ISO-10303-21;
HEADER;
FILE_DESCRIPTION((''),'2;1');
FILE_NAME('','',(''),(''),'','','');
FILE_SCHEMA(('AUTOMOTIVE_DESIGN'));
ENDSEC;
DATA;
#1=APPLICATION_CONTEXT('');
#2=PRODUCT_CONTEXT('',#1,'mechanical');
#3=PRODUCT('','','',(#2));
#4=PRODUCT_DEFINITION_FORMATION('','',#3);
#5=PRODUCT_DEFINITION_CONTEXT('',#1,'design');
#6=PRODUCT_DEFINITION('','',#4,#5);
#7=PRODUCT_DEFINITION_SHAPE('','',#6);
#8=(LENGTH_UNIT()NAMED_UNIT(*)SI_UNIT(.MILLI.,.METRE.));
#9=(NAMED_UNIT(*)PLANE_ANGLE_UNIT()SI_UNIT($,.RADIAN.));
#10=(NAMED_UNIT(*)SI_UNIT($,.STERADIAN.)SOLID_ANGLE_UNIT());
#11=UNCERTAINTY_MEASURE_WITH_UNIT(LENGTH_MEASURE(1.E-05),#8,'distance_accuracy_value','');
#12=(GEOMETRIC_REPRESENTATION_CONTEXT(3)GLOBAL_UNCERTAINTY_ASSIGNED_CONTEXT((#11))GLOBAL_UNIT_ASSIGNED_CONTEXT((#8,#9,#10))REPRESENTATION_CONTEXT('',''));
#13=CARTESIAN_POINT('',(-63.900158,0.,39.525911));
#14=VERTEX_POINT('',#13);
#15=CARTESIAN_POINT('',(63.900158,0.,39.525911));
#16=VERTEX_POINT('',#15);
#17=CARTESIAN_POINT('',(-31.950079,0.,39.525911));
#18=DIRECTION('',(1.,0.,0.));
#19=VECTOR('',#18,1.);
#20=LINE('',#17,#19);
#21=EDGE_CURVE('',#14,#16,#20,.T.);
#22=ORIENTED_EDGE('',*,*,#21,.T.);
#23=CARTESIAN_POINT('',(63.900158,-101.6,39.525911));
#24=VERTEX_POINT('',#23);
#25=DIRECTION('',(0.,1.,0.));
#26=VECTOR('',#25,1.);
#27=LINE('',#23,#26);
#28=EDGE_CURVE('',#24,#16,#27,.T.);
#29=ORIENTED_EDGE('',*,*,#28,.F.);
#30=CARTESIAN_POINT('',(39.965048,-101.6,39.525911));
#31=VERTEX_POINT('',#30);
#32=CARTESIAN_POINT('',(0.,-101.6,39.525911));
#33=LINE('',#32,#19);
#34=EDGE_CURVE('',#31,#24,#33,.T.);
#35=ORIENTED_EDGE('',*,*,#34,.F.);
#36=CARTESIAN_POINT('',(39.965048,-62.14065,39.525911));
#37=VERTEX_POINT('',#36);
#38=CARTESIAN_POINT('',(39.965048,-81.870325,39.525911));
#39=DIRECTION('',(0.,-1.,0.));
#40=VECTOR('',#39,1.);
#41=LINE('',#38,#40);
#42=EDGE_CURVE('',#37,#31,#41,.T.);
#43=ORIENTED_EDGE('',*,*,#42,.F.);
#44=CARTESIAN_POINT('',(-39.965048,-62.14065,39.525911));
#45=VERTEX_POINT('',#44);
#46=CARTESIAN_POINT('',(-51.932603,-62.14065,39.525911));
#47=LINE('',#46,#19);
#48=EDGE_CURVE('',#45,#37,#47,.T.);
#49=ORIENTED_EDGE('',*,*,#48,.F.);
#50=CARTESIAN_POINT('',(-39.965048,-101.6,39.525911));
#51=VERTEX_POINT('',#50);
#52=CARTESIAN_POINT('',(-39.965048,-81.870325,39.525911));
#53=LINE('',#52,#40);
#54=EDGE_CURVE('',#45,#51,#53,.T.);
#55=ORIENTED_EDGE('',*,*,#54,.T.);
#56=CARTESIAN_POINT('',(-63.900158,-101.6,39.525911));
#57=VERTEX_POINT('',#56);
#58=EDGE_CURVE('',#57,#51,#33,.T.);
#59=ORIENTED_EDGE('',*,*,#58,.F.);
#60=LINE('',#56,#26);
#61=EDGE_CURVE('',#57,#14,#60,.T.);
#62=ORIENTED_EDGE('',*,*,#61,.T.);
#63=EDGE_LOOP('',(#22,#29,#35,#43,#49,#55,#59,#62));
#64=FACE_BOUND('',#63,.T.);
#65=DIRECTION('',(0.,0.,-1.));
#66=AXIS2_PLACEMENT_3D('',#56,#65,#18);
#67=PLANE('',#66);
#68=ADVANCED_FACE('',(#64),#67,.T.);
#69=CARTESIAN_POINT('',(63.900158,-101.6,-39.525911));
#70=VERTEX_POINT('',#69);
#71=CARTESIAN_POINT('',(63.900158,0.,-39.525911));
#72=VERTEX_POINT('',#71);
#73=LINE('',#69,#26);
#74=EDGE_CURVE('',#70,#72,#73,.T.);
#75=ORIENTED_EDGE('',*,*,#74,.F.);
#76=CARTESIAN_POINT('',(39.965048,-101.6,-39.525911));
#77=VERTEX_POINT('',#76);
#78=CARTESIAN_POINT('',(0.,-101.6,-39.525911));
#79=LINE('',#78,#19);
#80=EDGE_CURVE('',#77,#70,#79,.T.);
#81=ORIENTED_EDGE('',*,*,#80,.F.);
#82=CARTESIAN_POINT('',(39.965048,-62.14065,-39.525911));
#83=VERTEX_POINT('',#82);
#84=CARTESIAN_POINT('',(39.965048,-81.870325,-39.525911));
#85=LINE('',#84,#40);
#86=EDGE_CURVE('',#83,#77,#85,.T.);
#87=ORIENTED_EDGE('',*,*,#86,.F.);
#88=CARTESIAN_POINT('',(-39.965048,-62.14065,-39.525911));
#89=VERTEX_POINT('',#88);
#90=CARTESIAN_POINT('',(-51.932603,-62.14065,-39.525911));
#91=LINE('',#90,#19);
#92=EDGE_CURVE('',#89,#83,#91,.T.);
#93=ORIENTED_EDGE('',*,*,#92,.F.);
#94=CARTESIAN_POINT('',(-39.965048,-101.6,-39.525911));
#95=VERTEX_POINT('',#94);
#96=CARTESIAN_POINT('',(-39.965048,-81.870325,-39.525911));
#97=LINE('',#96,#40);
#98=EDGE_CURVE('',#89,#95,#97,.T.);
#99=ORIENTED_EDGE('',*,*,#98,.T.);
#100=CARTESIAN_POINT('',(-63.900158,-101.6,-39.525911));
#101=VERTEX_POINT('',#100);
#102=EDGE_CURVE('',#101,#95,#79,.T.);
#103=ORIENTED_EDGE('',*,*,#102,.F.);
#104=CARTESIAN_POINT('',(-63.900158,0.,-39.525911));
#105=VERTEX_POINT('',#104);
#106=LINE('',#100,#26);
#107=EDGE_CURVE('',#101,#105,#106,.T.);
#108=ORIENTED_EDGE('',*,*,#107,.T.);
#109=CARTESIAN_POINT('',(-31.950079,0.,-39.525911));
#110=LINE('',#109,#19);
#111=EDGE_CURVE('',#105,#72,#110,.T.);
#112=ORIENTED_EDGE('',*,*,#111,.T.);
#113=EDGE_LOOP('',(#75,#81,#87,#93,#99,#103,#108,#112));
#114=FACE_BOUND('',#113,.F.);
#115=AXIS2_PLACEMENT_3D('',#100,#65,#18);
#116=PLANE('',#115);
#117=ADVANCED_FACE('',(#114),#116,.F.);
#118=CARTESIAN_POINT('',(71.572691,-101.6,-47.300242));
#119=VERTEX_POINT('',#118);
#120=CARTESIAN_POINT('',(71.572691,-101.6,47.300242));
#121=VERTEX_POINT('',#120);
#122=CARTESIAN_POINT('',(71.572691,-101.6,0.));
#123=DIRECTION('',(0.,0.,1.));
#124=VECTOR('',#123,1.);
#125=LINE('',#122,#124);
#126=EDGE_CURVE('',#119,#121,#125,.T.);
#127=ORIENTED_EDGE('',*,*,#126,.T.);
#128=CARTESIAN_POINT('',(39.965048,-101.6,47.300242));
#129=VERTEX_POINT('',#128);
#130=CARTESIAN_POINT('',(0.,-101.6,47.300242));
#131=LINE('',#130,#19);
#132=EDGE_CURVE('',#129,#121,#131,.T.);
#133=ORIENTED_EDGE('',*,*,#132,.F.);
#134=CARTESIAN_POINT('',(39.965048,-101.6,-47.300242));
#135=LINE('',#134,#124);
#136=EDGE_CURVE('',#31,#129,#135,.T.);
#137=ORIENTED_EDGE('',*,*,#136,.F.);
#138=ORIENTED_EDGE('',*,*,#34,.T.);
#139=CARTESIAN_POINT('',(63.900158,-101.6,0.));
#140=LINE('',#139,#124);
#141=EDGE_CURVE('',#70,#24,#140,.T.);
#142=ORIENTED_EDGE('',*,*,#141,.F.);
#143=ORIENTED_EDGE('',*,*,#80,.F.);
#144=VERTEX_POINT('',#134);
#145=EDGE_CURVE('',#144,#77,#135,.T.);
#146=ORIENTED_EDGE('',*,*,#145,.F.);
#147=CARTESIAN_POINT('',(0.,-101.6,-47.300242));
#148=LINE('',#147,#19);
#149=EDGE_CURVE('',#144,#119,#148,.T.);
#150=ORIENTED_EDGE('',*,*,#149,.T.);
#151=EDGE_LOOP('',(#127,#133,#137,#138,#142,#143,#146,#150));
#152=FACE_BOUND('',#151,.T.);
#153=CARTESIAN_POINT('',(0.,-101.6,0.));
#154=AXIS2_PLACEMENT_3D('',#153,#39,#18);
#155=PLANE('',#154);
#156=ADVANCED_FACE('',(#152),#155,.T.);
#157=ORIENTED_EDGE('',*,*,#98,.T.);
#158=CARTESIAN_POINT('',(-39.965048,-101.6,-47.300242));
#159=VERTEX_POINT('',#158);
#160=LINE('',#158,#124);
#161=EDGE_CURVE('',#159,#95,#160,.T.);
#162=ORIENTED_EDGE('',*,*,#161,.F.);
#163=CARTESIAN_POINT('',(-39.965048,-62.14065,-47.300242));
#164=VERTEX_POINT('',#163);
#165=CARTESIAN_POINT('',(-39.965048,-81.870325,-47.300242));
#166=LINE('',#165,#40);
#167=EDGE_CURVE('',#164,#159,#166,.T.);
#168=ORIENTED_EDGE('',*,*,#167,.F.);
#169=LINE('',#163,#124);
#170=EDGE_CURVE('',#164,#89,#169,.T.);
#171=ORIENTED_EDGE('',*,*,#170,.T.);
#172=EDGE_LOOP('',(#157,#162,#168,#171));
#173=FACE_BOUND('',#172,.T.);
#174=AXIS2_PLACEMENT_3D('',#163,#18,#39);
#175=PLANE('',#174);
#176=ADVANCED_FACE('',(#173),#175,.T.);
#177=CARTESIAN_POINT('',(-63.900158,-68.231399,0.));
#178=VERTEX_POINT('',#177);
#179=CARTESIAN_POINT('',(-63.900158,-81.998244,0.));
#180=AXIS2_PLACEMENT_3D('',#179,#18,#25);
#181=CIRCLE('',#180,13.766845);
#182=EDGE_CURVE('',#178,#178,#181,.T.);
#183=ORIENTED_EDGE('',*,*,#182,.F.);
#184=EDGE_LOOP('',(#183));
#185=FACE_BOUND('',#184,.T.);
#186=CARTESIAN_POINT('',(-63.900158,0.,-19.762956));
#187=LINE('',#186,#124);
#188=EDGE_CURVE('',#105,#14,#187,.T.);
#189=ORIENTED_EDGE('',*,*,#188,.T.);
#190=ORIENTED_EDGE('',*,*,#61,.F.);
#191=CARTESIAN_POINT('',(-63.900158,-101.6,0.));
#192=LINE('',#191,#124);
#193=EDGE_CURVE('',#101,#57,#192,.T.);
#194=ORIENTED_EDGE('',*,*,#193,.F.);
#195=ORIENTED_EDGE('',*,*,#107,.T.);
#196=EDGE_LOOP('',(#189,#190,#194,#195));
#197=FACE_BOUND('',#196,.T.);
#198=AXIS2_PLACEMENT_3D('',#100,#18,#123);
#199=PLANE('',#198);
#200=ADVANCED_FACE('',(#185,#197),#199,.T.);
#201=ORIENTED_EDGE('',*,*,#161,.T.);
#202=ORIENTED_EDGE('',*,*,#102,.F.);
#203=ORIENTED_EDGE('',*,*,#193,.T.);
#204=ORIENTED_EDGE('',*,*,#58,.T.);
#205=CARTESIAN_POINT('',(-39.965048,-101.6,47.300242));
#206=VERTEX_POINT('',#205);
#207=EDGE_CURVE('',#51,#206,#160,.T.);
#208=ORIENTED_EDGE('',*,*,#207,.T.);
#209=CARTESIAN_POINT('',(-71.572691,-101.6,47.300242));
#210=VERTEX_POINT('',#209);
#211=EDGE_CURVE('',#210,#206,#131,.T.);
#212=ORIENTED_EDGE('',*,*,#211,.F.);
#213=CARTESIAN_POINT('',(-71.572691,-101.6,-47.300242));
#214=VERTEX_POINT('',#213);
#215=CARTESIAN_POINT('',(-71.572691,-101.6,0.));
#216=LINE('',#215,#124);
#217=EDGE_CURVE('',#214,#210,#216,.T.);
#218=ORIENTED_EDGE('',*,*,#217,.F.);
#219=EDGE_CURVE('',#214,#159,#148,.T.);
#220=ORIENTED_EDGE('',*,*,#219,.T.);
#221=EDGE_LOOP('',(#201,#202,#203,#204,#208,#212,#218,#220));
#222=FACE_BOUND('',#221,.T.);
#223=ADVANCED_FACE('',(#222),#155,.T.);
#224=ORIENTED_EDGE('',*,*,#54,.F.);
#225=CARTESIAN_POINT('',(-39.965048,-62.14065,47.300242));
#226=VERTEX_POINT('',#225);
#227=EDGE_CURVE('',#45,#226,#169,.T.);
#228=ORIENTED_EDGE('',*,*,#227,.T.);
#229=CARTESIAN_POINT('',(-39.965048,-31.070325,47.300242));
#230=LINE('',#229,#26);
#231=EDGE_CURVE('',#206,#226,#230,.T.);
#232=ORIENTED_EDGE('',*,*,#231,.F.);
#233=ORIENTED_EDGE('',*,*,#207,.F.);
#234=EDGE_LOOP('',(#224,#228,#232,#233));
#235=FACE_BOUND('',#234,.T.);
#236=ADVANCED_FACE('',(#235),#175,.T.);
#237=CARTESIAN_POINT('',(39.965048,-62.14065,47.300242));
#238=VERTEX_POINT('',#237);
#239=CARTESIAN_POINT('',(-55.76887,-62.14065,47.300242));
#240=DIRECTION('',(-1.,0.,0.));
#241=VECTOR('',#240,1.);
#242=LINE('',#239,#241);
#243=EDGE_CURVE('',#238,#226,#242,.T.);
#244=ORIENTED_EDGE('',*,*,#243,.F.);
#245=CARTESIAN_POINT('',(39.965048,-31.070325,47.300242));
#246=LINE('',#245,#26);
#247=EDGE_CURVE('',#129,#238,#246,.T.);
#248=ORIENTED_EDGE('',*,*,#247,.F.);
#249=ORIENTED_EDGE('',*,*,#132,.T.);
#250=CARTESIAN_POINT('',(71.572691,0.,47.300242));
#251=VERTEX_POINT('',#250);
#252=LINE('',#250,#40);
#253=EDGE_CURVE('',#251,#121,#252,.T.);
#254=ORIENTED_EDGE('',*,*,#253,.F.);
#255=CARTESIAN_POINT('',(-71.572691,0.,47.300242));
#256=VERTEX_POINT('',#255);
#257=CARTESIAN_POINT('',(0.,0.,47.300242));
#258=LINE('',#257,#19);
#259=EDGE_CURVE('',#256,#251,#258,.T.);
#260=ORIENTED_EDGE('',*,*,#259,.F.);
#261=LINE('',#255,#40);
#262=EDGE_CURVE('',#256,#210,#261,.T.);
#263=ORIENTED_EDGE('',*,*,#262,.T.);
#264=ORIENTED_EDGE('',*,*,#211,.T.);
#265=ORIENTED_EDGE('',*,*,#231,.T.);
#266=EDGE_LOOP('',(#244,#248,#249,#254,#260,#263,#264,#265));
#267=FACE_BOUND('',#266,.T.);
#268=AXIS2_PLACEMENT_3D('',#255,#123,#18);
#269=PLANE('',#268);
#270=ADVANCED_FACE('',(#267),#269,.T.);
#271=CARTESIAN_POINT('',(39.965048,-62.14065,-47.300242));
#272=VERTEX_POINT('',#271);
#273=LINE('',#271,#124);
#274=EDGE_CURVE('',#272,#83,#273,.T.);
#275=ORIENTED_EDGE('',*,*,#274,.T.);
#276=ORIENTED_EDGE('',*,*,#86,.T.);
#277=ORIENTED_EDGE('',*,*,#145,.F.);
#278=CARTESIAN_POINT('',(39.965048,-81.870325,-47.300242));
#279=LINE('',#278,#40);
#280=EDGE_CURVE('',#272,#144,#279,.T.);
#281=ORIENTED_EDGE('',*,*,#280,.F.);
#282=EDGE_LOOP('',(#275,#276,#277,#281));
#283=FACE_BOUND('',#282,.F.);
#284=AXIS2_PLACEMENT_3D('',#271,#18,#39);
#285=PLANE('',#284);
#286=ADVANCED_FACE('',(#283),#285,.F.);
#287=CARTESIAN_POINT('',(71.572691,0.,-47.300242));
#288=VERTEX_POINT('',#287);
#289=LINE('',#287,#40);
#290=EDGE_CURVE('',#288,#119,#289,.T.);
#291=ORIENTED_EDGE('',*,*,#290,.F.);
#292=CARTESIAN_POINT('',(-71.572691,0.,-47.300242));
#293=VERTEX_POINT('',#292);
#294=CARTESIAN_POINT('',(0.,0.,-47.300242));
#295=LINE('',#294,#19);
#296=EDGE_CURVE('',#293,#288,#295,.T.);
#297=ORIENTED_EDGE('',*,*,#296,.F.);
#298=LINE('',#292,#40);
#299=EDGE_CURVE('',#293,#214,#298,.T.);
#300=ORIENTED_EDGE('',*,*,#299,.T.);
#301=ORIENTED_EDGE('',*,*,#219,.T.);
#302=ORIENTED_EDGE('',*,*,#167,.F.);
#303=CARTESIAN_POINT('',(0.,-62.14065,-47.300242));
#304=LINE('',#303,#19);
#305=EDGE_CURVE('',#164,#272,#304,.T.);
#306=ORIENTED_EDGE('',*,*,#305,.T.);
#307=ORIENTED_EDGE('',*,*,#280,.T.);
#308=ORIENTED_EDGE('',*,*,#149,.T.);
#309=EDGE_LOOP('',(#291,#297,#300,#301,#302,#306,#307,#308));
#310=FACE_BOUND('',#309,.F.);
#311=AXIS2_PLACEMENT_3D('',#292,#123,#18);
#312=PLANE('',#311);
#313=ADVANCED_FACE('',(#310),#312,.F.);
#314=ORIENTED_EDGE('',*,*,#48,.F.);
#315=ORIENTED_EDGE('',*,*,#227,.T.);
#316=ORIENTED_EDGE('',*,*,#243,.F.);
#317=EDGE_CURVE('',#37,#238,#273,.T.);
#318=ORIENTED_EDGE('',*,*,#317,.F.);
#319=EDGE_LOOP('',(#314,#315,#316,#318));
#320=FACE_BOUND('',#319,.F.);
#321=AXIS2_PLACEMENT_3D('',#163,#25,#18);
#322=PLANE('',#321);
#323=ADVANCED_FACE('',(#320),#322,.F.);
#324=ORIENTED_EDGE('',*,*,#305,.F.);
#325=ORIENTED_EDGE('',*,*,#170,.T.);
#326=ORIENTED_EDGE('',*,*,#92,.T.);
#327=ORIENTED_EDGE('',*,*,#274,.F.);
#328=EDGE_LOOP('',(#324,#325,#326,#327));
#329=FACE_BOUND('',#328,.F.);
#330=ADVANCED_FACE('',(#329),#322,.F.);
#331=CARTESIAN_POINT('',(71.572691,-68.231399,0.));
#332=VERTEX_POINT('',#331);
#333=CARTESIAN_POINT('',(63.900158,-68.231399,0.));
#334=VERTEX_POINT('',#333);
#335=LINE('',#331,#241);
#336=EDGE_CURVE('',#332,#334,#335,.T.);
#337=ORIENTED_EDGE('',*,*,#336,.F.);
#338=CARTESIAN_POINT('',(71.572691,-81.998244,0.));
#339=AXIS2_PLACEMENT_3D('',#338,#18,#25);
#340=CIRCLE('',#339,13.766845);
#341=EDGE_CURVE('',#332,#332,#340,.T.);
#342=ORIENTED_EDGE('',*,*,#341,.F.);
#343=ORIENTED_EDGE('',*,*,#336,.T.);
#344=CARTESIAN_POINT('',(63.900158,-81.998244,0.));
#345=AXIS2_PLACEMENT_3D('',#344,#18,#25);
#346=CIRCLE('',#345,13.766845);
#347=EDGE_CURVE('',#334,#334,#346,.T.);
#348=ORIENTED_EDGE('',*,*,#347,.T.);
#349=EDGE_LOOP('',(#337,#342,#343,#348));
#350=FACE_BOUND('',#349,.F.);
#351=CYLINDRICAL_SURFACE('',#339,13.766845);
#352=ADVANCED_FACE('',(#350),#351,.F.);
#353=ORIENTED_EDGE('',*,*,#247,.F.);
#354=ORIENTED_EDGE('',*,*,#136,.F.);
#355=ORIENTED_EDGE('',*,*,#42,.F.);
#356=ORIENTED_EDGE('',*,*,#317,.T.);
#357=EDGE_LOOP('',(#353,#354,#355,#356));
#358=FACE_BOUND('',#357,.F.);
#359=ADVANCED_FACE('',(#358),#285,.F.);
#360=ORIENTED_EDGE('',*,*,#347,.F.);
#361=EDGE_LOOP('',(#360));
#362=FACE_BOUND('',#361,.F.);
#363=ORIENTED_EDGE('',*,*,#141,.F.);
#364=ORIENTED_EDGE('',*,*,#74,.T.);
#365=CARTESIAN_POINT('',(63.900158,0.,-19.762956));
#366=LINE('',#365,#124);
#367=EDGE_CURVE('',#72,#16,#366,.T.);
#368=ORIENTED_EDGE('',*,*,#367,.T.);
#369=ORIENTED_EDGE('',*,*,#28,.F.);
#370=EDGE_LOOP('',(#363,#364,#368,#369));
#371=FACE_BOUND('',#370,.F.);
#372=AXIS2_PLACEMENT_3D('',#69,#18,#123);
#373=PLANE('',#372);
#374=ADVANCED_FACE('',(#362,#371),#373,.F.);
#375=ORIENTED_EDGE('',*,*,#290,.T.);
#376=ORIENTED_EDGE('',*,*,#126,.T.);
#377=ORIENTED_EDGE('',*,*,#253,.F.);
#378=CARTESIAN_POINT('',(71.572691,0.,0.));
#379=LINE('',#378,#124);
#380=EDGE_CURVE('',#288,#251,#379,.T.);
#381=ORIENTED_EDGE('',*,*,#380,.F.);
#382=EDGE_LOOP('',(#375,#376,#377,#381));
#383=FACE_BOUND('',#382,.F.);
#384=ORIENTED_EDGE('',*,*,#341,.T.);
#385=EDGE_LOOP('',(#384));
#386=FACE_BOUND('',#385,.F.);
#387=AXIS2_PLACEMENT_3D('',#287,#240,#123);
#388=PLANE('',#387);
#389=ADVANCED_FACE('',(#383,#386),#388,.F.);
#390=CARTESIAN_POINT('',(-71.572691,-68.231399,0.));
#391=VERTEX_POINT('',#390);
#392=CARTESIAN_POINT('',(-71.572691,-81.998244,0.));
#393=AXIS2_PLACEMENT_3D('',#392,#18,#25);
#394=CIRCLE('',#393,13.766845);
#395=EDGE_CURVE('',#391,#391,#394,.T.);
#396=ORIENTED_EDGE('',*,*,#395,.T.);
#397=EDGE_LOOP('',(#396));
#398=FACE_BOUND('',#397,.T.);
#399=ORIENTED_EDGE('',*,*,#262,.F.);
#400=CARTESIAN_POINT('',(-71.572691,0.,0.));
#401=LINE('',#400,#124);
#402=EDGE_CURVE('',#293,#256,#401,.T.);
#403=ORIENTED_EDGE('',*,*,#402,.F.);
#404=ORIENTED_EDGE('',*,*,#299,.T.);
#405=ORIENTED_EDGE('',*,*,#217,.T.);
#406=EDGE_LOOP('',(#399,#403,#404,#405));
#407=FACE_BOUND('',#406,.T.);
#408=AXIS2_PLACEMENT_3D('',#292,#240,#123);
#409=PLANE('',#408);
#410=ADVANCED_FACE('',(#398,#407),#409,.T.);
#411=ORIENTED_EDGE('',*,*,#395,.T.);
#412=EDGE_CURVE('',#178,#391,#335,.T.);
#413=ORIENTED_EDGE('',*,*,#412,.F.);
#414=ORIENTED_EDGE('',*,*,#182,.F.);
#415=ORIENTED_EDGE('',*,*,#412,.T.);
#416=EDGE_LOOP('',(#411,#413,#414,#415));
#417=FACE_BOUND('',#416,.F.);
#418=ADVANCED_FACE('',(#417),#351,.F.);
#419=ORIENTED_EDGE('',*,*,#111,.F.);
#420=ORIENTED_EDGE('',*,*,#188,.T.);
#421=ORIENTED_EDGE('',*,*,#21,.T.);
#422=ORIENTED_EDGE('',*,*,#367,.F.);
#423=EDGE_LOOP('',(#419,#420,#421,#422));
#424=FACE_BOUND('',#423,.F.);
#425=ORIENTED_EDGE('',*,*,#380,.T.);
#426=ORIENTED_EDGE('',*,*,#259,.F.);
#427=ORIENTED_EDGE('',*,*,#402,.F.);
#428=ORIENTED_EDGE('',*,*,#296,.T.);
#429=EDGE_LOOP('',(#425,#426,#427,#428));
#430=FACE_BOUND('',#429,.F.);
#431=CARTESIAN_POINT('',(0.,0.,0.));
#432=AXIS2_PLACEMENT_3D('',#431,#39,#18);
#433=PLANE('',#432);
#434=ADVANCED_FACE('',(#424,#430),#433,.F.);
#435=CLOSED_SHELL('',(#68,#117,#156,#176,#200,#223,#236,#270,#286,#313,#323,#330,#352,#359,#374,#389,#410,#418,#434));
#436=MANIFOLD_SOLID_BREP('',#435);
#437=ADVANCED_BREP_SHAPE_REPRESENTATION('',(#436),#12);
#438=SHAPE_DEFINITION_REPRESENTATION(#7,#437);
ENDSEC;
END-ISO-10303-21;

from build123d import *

# Parameters (mm, degrees)
F0_W     = 143.145382
F0_H     = 94.600484
F1_DEPTH = 101.6
F2_W     = 127.800316
F2_H     = 79.051822
F3_DEPTH = 127
F4_W     = 79.930096
F4_H     = 39.45935
F5_DEPTH = 127
F6_R     = 13.766845
F7_DEPTH = 152.4


with BuildPart() as f1:
    # F0 (on Front) → F1 (new body)
    with BuildSketch(Plane.XZ):
        Rectangle(F0_W, F0_H)
    extrude(amount=F1_DEPTH)

    # F2 (on face) → F3 (cut)
    with BuildSketch(Plane.XZ.offset(101.6)):
        Rectangle(F2_W, F2_H)
    extrude(amount=-F3_DEPTH, mode=Mode.SUBTRACT)

    # F4 (on face) → F5 (cut)
    with BuildSketch(Plane(origin=(0, 0, -47.300242), x_dir=(1, 0, 0), z_dir=(0, 0, -1))):
        with Locations((0, 81.870325)):
            Rectangle(F4_W, F4_H)
    extrude(amount=-F5_DEPTH, mode=Mode.SUBTRACT)

    # F6 (on face) → F7 (cut)
    with BuildSketch(Plane.YZ.offset(71.572691)):
        with Locations((-81.998244, 0)):
            Circle(F6_R)
    extrude(amount=-F7_DEPTH, mode=Mode.SUBTRACT)


solid = f1.part
